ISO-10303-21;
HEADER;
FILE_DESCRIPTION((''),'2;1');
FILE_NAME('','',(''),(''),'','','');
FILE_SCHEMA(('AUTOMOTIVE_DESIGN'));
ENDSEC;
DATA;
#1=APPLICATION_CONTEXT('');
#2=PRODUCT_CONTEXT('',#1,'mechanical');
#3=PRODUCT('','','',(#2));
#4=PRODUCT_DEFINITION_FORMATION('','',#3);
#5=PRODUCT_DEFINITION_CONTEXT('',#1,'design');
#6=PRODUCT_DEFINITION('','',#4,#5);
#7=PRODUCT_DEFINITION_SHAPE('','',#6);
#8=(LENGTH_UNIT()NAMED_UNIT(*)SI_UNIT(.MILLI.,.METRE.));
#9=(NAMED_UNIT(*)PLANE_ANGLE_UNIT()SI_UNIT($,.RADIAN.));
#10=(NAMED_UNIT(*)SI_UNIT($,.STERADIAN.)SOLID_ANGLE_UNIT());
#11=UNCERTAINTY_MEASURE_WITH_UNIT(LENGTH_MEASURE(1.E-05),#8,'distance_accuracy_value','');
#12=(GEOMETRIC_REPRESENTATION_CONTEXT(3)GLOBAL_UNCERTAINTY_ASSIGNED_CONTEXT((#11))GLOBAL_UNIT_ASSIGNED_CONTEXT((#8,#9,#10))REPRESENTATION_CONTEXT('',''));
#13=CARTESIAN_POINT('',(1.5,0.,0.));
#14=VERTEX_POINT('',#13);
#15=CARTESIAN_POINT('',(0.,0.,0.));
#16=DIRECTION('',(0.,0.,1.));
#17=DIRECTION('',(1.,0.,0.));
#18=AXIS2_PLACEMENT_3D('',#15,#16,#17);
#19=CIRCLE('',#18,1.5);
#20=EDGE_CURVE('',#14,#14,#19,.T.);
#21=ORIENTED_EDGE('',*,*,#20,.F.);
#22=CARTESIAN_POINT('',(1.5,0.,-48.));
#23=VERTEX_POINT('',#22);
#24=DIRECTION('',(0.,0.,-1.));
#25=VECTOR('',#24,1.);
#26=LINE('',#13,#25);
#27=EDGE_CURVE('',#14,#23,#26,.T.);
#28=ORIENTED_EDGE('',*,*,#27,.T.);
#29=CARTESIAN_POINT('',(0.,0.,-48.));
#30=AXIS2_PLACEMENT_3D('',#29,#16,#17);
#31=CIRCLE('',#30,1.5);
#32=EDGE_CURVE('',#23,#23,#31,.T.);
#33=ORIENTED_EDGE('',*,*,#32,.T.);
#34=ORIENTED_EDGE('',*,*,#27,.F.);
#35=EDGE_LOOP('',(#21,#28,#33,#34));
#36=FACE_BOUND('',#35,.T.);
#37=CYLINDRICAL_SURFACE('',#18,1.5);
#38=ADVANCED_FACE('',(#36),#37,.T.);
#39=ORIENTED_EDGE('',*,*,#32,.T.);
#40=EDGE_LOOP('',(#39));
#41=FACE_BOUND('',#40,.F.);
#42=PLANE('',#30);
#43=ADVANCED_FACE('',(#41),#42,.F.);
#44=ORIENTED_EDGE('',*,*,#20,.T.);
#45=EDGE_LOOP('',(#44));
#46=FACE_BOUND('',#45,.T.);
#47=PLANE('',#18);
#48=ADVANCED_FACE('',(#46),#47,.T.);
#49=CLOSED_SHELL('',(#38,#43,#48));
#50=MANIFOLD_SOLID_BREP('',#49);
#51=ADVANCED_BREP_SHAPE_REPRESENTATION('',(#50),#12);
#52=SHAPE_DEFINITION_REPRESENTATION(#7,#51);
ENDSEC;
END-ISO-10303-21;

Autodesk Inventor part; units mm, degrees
ref_plane "YZ Plane" through (0, 0, 0) normal (1, 0, 0) x (0, 1, 0)
ref_plane "XZ Plane" through (0, 0, 0) normal (0, 1, 0) x (-1, 0, 0)
ref_plane "XY Plane" through (0, 0, 0) normal (0, 0, 1) x (1, 0, 0)
extrude "Extrusion1" [suppressed]
extrude "Extrusion2" [suppressed]
extrude "Extrusion3" [suppressed]
sketch "Sketch4" plane through (0, 0, 0) normal (0, 0, 1) x (1, 0, 0)
  circle A0 centre (0, 0) radius 1.5
  dimension "d12" = 3
extrude "Extrusion4" add sketch "Sketch4" against normal blind 48
properties part number "P88043_Front-Rear_Lower_Suspension_Pin_A"
